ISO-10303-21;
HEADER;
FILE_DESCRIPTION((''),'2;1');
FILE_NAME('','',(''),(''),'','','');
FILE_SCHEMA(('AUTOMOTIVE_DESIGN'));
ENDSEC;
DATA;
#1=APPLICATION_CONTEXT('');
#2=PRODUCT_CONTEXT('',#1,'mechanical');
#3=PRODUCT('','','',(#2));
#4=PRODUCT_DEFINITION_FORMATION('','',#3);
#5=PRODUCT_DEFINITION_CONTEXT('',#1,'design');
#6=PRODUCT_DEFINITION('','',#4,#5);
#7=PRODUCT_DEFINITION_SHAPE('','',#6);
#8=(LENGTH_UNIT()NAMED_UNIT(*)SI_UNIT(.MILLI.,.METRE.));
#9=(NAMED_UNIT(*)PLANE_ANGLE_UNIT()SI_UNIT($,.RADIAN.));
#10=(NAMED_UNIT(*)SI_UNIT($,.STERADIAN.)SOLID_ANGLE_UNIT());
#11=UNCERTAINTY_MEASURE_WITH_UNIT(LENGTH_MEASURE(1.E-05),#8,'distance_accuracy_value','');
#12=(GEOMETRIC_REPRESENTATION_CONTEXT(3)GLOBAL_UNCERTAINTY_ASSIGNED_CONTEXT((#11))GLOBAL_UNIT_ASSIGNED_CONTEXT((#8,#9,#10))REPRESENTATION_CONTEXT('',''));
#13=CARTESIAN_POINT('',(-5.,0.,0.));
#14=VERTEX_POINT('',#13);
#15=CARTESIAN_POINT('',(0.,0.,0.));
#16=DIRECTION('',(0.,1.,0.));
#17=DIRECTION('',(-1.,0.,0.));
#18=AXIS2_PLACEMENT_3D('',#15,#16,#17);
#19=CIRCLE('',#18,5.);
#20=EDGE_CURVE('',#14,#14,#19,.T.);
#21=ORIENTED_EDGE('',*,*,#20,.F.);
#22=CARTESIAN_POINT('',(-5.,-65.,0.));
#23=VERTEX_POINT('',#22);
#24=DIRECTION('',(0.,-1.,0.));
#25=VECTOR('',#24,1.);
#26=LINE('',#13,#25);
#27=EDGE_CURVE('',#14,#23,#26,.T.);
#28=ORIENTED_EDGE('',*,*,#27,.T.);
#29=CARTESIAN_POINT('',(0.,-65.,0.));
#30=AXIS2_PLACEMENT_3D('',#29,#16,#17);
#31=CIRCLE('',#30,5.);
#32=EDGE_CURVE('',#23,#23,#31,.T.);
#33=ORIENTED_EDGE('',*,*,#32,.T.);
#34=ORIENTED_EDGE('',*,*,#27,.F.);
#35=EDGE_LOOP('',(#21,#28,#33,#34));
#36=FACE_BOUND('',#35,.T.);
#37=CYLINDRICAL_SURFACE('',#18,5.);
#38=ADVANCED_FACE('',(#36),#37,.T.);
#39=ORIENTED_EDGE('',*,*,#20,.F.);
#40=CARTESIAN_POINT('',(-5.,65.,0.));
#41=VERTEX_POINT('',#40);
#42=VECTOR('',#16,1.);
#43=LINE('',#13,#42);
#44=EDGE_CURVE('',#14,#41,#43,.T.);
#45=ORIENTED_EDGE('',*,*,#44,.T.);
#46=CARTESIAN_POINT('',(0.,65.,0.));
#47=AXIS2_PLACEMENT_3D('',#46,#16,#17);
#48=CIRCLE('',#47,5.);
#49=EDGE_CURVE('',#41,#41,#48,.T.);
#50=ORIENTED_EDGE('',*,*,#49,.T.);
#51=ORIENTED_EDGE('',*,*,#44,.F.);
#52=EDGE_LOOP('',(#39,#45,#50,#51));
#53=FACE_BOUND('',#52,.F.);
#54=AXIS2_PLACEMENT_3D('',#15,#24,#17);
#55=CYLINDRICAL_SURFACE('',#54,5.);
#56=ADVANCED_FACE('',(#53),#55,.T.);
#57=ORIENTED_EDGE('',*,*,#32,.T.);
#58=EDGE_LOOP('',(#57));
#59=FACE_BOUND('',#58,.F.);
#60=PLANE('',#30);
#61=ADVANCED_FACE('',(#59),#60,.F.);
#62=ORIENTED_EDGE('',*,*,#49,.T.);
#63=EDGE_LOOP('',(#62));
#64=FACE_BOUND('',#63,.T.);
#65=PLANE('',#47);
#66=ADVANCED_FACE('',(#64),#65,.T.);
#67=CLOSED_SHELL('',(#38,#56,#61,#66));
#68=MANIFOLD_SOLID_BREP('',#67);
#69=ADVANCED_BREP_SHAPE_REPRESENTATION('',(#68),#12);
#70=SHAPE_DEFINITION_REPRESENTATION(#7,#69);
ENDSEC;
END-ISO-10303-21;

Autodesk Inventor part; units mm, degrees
ref_plane "YZ Plane" through (0, 0, 0) normal (1, 0, 0) x (0, 1, 0)
ref_plane "XZ Plane" through (0, 0, 0) normal (0, 1, 0) x (-1, 0, 0)
ref_plane "XY Plane" through (0, 0, 0) normal (0, 0, 1) x (1, 0, 0)
sketch "Sketch1" plane through (0, 0, 0) normal (0, 1, 0) x (-1, 0, 0)
  circle A0 centre (0, 0) radius 5
  dimension "d0" = 10
extrude "Extrusion1" add sketch "Sketch1" along normal mid plane 130
properties part number "02_Truc_02" material "Steel, Non-Alloy"
